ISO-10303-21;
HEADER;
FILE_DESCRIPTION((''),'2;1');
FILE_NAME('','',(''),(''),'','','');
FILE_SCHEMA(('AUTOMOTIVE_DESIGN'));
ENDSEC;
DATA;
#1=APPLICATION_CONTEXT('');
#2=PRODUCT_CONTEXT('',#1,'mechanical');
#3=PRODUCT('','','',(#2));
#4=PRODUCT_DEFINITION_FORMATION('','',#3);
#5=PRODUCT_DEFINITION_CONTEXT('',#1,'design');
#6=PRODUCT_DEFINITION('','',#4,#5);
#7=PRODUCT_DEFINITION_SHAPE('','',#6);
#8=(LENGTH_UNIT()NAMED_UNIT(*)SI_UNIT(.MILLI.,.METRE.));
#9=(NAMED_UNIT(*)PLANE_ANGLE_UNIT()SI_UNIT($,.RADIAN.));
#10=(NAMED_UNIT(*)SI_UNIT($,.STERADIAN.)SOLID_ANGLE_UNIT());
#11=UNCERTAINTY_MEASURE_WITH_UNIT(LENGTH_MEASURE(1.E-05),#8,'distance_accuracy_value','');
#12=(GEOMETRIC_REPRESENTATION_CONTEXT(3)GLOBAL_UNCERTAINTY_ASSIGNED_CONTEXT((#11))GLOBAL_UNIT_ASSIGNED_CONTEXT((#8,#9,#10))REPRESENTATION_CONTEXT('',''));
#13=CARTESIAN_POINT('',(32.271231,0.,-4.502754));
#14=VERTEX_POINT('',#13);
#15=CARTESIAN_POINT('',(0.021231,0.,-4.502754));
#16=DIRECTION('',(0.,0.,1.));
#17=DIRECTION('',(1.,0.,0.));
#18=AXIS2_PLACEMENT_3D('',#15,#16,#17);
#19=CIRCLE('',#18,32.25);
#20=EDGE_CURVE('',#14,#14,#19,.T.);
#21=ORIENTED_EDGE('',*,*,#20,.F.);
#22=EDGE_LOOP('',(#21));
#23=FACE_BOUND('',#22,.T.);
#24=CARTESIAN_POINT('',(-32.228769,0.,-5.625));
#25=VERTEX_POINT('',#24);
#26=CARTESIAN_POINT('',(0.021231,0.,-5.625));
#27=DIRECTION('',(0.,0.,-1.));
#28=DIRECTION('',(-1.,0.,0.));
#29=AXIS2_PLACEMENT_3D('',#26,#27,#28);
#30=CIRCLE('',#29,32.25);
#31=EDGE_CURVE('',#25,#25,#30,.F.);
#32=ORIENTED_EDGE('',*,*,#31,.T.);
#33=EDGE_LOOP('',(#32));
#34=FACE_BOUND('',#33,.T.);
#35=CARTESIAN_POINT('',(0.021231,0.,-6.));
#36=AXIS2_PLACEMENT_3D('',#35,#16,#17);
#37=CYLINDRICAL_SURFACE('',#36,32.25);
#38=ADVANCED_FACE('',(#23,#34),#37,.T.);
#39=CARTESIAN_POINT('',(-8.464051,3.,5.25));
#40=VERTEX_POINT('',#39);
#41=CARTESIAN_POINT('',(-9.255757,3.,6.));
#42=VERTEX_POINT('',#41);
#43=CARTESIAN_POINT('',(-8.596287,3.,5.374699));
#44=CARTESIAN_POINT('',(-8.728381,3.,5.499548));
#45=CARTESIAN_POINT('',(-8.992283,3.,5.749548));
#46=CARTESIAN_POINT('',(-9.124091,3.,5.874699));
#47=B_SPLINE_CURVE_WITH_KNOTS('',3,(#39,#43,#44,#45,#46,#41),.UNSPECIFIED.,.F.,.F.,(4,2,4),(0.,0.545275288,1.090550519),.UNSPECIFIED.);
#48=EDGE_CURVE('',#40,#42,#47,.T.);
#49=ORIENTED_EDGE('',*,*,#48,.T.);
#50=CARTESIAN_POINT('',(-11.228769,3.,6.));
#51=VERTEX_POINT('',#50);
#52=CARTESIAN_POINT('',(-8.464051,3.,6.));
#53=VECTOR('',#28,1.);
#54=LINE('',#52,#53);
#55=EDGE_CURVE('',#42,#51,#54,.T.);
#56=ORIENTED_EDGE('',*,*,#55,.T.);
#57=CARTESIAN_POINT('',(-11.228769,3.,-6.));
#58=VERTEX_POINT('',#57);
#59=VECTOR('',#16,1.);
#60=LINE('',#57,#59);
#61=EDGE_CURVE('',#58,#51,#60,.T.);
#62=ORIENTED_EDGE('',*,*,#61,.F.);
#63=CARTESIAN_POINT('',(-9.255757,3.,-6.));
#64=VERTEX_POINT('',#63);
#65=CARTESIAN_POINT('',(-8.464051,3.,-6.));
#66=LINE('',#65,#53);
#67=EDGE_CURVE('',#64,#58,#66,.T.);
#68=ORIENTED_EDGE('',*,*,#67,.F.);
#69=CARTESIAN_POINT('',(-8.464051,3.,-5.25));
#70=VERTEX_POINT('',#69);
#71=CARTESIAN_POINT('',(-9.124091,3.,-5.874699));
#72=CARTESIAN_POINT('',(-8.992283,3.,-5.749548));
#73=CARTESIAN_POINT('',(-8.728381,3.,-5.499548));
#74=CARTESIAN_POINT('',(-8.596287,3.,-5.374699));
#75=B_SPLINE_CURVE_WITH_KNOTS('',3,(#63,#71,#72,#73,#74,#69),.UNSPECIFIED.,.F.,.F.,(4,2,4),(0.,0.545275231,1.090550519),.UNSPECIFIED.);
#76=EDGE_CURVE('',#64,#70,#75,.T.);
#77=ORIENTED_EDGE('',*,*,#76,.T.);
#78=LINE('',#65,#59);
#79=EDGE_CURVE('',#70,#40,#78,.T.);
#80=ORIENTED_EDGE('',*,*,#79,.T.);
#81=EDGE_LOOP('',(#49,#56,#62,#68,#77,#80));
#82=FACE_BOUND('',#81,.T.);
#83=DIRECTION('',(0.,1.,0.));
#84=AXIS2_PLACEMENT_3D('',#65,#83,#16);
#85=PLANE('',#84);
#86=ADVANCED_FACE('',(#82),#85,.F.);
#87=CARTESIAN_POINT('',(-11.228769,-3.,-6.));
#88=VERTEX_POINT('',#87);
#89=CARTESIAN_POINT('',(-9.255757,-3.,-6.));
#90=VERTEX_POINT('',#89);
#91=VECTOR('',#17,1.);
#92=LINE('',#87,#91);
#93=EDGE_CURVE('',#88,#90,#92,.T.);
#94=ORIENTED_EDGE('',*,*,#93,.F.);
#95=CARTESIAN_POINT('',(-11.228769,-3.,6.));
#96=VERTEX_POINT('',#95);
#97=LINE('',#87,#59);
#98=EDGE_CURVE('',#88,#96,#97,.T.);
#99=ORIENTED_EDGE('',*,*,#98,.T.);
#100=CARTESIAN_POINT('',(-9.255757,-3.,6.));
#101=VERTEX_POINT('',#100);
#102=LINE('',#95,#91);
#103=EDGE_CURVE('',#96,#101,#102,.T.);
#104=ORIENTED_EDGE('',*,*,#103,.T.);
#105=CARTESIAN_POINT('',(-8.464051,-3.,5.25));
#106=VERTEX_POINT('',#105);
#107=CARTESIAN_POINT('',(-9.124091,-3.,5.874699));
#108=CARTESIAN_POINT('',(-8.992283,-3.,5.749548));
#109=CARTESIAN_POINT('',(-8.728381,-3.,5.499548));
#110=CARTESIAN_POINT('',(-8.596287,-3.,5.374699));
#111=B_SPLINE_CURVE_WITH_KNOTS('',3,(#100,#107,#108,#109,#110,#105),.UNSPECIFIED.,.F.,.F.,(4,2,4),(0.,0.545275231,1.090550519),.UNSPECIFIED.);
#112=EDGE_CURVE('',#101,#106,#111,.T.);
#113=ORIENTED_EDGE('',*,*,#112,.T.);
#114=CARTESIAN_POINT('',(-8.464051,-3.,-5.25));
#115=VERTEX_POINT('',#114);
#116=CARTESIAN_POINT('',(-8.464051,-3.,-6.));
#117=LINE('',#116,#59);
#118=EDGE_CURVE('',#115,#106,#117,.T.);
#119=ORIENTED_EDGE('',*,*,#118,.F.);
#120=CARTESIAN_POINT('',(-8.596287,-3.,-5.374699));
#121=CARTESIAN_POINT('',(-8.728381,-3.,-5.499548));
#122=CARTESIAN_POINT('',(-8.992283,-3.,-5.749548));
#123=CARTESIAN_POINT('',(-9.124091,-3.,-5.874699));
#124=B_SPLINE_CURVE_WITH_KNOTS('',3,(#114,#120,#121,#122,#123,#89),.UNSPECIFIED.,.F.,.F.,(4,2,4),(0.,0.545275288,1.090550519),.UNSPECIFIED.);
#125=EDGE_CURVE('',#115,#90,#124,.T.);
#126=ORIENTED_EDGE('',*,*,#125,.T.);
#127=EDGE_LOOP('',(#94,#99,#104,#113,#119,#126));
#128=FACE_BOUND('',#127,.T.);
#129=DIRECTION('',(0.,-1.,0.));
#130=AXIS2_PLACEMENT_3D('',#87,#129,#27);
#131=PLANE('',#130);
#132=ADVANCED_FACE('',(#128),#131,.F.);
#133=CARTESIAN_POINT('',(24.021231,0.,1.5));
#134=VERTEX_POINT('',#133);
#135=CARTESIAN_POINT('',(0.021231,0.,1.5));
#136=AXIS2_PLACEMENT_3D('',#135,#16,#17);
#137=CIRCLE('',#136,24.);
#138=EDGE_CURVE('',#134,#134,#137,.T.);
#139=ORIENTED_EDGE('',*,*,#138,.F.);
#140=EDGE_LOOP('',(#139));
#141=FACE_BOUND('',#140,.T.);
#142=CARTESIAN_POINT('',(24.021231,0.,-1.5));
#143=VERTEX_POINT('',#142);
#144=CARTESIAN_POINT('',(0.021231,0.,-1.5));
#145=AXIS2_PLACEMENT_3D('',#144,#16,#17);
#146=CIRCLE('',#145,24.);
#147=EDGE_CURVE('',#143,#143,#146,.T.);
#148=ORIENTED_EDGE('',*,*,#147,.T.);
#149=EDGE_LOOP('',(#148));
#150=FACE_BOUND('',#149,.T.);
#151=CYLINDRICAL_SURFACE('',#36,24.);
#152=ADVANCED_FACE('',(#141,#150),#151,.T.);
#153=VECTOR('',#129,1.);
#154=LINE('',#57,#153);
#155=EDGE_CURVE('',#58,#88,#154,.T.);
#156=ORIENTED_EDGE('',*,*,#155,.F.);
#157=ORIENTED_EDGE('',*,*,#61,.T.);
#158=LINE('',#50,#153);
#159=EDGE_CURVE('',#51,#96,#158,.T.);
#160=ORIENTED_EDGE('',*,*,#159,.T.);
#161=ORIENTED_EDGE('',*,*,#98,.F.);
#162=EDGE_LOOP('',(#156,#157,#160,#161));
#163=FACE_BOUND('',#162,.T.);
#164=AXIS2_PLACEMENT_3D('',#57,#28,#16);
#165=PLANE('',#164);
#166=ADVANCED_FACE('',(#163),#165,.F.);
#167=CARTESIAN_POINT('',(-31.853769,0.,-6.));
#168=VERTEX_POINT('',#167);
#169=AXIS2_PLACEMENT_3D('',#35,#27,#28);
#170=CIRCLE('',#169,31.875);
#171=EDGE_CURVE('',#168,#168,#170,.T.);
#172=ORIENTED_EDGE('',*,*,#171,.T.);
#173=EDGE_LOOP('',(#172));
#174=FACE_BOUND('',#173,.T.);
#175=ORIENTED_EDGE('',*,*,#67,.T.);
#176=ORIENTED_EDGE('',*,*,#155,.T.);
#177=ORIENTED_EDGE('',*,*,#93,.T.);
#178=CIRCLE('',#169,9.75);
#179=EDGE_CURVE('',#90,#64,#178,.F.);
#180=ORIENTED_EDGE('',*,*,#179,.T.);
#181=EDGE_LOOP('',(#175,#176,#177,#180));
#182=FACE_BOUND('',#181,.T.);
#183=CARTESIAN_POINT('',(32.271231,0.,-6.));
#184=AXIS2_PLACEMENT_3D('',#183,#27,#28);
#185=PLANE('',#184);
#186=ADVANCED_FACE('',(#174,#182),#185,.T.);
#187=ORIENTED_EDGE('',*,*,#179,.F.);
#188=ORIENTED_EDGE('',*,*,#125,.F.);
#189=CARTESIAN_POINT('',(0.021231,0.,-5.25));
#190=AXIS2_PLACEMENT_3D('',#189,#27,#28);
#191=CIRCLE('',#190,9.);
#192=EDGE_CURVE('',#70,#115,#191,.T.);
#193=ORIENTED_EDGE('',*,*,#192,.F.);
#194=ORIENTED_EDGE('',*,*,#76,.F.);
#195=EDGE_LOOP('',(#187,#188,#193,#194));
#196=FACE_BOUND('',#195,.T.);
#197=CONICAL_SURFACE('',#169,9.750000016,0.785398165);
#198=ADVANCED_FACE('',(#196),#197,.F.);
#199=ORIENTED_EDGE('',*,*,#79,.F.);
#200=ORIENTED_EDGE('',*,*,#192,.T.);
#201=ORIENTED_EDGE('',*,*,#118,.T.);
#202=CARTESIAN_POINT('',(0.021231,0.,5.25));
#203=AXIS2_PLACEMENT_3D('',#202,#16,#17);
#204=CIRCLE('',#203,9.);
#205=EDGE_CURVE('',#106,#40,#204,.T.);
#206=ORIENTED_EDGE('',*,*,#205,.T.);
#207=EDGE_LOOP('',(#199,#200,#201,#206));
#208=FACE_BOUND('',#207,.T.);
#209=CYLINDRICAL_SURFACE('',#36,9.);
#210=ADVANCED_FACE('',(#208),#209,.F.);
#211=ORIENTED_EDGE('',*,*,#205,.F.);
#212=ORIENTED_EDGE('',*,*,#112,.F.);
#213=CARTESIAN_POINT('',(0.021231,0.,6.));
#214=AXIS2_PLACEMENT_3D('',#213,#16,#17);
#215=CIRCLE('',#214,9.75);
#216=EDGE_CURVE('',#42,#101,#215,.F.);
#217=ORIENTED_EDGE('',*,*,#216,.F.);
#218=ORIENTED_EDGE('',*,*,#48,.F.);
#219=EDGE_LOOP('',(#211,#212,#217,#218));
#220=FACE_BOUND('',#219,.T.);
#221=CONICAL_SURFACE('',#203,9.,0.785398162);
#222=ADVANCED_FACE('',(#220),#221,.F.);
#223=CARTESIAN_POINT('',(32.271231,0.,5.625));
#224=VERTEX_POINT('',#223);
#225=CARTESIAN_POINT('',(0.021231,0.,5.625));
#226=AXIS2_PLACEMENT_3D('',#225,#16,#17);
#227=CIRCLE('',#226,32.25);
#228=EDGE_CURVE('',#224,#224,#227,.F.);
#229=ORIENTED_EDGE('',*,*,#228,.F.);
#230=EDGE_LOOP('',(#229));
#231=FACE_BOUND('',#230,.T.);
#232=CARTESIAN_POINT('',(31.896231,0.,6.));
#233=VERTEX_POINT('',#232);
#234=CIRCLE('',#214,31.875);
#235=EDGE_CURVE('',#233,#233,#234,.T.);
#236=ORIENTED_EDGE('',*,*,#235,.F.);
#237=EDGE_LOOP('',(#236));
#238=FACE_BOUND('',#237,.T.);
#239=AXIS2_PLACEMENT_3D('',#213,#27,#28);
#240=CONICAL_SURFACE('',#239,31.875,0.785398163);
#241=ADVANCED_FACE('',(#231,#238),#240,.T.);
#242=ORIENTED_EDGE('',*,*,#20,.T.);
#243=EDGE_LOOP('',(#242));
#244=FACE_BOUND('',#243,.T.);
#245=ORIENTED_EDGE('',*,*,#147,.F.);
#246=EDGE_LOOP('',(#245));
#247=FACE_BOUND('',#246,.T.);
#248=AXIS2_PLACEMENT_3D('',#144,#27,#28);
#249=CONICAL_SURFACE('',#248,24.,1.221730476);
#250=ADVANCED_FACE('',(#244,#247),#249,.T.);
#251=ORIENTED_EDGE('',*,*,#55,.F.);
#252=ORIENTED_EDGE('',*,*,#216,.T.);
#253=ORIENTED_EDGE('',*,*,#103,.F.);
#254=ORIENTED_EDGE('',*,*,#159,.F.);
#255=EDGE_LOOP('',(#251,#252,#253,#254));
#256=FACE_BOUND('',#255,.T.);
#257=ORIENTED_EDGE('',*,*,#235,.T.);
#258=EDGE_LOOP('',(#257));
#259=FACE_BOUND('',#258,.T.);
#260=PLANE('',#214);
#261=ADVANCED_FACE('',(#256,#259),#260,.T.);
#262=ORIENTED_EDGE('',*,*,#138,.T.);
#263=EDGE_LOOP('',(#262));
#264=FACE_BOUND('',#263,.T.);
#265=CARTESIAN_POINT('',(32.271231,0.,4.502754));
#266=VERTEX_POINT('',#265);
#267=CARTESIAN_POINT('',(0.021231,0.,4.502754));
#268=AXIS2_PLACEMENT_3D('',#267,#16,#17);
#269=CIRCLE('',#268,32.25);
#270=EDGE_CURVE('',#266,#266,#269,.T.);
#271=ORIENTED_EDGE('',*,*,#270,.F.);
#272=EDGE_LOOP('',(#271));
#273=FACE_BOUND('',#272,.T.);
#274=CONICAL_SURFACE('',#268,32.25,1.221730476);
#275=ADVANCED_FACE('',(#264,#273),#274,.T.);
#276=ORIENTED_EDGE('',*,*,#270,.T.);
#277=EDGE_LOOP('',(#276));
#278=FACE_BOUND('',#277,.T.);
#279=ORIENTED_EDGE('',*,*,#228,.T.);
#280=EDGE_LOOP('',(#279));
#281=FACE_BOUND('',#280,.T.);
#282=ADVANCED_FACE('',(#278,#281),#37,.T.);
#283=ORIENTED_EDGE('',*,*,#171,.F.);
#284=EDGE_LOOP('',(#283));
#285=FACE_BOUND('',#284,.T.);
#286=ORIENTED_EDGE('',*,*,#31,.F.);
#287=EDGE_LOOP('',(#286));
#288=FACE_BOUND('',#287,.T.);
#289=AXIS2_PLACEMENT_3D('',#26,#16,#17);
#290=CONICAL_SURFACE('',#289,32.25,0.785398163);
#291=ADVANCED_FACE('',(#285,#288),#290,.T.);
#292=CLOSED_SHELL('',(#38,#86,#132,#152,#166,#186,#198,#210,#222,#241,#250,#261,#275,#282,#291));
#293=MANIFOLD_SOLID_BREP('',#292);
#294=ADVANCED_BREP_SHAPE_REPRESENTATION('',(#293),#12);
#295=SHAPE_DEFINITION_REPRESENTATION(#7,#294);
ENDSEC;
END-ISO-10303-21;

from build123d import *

# Parameters (mm, degrees)
CUT_EXTRUDE1_DEPTH = 17
SKETCH3_W          = 12
SKETCH3_H          = 16
CHAMFER1_SIZE2     = 1.000000021
CHAMFER1_SIZE      = 1.000000018
CHAMFER2_SIZE      = 0.5
SCALE1_SCALE       = 0.75


with BuildPart() as part:
    # Sketch1 → Revolve1 (revolve)
    with BuildSketch(Plane(origin=(0, 0, 0), x_dir=(1, 0, 0), z_dir=(0, 1, 0))):
        Polygon((43, 8), (0, 8), (0, -8), (43, -8), (43, -6.003672577), (32, -2), (32, 2), (43, 6.003672577), align=None)
    revolve(axis=Axis((0, 0, -8), (0, 0, 1)))

    # Sketch2 → Cut-Extrude1 (cut, through all)
    with BuildSketch(Plane.XY.offset(8)):
        with BuildLine():
            Line((-15, -4), (-11.313708499, -4))
            ThreePointArc((-11.313708499, -4), (-12, -1e-09), (-11.313708499, 3.999999999))
            Line((-11.313708499, 3.999999999), (-15, 3.999999999))
            Line((-15, 3.999999999), (-15, -4))
        make_face()
    extrude(amount=-CUT_EXTRUDE1_DEPTH, mode=Mode.SUBTRACT)

    # Sketch3 → Cut-Revolve1 (revolve, cut)
    with BuildSketch(Plane(origin=(0, 0, 0), x_dir=(1, 0, 0), z_dir=(0, 1, 0))):
        with Locations((6, 0)):
            Rectangle(SKETCH3_W, SKETCH3_H)
    revolve(axis=Axis((0, 0, -8), (0, 0, 1)), mode=Mode.SUBTRACT)

    # Chamfer1
    chamfer1_edges = [part.edges().sort_by_distance(p)[0] for p in [
        (12, 1e-09, -8),
        (12, 1e-09, 8),
    ]]
    chamfer(chamfer1_edges, length=CHAMFER1_SIZE, length2=CHAMFER1_SIZE2)

    # Chamfer2
    chamfer2_edges = [part.edges().sort_by_distance(p)[0] for p in [
        (-43, 0, 8),
        (-43, 0, -8),
    ]]
    chamfer(chamfer2_edges, length=CHAMFER2_SIZE)


with BuildPart() as part_1:
    # Scale1: scaled about (0.084922045, 0, 0)
    add(part.part.scale(SCALE1_SCALE).moved(Location((0.021230511, 0, 0))))


solid = part_1.part
